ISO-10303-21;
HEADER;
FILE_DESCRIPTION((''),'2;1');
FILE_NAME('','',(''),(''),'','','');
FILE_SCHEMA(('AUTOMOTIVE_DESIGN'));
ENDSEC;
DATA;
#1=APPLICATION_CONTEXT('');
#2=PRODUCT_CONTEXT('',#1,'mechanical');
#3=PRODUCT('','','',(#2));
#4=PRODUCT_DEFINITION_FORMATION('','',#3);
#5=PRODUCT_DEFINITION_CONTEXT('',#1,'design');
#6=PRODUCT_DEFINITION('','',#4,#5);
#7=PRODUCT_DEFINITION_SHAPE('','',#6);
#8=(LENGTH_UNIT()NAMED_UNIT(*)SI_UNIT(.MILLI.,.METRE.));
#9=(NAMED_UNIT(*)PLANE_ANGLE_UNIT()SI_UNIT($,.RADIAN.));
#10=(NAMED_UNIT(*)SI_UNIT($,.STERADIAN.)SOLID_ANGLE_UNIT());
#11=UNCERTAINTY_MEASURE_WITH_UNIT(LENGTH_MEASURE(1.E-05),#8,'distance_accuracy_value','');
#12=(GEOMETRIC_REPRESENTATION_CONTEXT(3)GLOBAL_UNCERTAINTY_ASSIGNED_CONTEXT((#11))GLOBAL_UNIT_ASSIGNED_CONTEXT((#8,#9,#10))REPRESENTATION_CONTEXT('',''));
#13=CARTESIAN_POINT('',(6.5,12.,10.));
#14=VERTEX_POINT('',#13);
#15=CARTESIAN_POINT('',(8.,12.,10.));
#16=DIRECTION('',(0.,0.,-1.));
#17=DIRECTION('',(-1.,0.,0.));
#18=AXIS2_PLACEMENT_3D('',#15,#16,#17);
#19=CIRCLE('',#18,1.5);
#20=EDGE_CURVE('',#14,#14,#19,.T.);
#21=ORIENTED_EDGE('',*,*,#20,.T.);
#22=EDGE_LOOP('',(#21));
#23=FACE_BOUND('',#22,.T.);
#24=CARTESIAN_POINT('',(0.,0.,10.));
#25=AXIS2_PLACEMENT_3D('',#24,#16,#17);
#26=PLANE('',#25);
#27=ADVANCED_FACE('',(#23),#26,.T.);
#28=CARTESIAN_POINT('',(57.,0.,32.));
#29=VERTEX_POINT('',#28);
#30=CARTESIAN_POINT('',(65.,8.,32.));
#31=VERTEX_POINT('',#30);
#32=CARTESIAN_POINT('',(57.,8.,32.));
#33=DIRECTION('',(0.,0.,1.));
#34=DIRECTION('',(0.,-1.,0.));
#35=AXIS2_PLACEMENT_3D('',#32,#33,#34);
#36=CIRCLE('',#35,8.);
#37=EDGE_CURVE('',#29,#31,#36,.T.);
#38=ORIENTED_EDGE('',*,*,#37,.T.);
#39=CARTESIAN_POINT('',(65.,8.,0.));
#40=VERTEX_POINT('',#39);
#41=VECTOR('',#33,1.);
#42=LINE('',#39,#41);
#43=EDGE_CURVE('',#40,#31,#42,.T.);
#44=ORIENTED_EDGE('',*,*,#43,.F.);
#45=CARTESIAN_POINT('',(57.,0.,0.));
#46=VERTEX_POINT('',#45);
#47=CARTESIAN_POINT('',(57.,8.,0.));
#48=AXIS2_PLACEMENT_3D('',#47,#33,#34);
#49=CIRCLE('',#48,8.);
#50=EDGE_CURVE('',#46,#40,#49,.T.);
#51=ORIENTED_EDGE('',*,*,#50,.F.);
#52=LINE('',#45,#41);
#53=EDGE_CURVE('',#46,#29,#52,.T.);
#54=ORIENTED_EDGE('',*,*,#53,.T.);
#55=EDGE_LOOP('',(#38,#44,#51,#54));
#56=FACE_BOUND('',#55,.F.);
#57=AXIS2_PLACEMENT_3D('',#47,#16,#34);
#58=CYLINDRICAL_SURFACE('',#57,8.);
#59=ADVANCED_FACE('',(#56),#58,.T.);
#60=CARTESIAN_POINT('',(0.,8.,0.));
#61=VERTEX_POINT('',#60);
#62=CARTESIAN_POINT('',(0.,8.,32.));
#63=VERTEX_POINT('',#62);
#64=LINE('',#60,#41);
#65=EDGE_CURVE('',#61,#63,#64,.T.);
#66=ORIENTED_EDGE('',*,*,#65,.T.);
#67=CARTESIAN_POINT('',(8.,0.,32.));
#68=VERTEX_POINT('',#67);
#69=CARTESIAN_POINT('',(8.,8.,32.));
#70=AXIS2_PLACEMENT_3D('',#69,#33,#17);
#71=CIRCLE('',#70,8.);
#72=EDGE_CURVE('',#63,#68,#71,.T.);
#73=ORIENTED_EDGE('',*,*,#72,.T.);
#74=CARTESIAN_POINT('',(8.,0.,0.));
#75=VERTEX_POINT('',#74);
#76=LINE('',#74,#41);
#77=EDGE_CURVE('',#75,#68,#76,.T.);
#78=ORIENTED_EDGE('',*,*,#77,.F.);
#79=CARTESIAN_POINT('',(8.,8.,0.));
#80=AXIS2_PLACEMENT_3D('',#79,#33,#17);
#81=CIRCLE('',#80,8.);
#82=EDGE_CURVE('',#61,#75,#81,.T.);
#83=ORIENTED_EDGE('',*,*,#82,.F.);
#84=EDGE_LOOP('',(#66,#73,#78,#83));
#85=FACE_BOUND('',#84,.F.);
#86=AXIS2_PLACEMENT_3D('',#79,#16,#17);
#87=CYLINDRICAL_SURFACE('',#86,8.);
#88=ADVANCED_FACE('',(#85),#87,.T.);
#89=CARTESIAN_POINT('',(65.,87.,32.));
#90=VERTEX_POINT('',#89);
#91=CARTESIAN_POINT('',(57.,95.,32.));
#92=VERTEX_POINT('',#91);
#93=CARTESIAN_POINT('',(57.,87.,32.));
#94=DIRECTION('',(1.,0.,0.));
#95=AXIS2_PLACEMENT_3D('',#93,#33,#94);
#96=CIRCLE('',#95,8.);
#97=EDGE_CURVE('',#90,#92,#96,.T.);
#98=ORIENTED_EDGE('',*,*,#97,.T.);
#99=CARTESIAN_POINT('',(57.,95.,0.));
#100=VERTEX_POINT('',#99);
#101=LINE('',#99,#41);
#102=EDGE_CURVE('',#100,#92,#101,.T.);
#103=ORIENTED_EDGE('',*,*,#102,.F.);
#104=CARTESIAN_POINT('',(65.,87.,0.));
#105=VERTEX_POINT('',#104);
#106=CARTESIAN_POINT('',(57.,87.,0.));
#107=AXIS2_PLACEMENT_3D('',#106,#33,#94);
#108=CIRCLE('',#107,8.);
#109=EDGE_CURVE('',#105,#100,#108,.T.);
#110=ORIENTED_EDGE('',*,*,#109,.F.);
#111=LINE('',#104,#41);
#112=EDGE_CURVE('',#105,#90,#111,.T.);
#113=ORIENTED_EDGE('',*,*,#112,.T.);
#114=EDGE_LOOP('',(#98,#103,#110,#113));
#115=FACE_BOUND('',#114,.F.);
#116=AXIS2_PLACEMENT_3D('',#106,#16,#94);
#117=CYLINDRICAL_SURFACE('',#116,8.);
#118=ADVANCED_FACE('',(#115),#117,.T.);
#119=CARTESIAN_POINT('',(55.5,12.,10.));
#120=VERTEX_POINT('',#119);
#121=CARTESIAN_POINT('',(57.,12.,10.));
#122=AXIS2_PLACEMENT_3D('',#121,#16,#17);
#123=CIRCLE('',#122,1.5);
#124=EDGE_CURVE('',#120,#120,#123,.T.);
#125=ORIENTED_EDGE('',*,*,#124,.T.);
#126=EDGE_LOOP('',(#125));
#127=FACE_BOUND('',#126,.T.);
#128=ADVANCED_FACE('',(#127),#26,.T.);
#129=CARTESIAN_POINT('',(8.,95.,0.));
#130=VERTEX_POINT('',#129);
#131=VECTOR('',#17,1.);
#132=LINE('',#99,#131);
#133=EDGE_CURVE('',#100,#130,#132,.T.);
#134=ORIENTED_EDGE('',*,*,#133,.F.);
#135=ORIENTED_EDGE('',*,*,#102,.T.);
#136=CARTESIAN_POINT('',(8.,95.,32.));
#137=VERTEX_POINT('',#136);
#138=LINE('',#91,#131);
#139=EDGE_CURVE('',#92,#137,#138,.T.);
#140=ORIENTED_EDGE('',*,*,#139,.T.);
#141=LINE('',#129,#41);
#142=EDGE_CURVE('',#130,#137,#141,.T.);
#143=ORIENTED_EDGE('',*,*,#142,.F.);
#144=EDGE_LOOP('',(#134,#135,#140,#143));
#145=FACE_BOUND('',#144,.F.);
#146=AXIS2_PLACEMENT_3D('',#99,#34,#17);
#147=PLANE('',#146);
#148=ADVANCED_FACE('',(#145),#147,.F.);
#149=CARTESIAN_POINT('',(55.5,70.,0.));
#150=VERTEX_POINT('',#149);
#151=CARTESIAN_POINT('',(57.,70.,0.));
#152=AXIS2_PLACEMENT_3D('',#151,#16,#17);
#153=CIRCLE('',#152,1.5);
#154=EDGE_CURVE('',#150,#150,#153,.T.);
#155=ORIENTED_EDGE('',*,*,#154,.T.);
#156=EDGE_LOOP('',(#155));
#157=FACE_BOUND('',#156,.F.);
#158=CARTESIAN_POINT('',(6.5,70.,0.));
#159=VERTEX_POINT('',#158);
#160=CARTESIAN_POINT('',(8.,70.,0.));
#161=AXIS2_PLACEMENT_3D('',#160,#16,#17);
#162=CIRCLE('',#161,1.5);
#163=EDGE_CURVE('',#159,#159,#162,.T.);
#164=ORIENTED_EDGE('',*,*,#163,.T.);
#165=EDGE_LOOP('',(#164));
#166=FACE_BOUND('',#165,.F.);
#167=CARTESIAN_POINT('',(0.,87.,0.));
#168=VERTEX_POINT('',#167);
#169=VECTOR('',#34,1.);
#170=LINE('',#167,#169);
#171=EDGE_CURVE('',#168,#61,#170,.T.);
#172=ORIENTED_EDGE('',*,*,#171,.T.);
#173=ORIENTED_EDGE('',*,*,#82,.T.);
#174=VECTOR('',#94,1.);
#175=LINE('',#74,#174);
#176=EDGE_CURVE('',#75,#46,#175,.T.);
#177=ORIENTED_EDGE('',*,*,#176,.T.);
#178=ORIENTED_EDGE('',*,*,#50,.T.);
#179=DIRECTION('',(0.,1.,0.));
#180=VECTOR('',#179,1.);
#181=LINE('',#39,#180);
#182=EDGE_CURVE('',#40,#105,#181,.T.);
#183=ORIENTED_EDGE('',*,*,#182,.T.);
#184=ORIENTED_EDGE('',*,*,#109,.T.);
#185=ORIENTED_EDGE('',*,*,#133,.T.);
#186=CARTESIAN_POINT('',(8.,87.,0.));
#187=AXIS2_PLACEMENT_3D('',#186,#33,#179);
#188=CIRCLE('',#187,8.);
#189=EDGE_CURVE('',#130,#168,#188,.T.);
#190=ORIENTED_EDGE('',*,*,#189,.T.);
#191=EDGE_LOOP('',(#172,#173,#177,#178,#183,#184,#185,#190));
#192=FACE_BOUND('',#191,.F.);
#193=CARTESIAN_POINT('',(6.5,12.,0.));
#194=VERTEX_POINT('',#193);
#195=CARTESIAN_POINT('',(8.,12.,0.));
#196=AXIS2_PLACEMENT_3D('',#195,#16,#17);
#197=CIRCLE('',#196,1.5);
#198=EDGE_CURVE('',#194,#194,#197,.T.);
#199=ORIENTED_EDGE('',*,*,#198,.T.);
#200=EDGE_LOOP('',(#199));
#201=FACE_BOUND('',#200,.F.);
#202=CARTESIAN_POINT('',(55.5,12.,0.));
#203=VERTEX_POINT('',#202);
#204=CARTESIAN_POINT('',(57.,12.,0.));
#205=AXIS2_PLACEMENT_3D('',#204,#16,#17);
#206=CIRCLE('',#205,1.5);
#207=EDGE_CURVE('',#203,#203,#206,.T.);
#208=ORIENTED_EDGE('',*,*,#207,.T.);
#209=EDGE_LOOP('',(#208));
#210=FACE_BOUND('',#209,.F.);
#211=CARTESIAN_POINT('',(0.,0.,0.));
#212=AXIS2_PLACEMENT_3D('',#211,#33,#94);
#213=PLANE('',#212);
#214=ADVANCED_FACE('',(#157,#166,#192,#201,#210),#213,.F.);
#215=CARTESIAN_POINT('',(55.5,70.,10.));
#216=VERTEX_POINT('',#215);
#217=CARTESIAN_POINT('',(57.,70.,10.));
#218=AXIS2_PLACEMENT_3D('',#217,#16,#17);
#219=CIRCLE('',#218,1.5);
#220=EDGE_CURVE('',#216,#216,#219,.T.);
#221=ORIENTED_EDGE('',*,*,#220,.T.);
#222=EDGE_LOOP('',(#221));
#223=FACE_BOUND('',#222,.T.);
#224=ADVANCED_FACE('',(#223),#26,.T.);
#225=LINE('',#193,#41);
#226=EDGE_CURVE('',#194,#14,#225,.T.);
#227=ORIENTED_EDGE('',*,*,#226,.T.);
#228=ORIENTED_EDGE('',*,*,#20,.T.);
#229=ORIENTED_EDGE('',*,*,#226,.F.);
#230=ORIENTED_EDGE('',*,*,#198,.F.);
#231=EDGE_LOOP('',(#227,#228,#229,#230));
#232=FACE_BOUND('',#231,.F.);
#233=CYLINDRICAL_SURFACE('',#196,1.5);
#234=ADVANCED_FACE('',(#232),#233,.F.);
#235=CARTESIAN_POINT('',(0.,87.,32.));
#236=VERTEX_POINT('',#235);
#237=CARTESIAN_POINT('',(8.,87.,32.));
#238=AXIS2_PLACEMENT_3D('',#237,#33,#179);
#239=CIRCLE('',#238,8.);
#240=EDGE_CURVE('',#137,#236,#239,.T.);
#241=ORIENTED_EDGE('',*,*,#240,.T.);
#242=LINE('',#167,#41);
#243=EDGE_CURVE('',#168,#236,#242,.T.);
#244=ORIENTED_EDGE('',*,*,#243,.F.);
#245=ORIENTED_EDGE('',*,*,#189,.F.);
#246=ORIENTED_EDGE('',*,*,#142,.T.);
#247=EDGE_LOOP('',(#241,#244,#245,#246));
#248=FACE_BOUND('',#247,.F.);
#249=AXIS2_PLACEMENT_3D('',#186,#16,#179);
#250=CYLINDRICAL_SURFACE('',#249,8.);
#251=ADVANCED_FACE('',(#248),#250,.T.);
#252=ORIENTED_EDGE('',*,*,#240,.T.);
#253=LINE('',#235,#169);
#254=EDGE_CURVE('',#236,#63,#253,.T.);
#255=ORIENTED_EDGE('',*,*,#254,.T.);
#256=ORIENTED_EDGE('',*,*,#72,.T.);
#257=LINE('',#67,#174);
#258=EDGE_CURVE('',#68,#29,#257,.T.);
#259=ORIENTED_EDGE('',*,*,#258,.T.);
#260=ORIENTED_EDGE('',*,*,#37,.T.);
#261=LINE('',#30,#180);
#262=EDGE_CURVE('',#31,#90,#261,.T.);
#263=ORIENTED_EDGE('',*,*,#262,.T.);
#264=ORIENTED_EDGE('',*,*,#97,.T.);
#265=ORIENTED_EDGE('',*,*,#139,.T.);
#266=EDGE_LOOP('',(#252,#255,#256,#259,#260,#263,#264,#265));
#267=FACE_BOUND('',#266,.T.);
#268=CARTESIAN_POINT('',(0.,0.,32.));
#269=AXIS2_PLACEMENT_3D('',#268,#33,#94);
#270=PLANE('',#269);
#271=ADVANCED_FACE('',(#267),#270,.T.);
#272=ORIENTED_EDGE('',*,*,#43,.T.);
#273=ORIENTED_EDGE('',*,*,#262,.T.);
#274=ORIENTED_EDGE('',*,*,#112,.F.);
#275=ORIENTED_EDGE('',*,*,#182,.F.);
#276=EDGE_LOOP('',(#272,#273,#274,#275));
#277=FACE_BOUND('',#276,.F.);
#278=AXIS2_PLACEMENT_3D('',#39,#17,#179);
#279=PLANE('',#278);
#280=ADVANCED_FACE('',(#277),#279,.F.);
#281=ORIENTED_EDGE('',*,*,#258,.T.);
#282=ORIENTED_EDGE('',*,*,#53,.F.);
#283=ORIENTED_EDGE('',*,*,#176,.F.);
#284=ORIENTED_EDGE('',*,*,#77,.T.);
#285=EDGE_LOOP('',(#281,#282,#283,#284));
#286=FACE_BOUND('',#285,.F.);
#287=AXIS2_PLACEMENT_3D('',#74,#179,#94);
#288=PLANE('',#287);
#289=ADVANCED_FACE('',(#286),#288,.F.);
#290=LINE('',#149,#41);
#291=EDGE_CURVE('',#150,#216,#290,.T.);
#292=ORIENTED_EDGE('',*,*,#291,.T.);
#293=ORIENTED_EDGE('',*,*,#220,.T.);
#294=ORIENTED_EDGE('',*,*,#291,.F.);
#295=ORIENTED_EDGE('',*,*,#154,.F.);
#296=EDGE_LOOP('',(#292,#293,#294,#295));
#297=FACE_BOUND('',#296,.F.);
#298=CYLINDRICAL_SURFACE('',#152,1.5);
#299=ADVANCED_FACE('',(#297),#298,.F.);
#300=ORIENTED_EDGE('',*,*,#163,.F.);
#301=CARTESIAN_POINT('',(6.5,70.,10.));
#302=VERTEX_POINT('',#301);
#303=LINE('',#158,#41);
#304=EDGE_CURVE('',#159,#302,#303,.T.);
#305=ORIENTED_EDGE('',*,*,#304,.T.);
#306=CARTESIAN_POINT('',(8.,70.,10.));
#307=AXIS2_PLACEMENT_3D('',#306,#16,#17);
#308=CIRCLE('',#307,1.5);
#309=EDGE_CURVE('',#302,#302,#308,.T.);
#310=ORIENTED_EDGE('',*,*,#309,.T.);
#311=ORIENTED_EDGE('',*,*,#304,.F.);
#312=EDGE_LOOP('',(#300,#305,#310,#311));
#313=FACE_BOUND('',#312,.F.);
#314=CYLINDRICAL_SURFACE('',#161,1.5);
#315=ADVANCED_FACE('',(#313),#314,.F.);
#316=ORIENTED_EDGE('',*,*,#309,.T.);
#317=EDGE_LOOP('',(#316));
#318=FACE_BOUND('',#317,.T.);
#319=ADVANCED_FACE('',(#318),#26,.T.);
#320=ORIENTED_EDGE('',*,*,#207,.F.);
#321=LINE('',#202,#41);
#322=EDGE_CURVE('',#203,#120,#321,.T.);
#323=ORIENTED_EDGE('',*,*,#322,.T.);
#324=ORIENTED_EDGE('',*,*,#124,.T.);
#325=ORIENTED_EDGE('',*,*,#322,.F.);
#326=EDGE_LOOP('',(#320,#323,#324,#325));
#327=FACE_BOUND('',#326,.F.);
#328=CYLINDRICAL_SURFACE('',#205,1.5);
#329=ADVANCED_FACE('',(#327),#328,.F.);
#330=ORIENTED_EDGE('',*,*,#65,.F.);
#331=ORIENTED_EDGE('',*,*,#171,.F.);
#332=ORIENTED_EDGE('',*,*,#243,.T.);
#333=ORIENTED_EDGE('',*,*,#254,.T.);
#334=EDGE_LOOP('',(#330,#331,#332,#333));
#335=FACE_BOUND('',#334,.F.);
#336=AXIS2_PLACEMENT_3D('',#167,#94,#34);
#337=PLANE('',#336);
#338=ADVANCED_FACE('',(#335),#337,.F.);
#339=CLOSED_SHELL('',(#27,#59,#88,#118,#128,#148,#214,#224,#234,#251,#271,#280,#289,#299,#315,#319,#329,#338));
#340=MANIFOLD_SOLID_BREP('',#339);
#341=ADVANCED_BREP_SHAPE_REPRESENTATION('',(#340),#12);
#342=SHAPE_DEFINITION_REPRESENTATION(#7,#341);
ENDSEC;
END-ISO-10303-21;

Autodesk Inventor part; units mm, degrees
ref_plane "YZ Plane" through (0, 0, 0) normal (1, 0, 0) x (0, 1, 0)
ref_plane "XZ Plane" through (0, 0, 0) normal (0, 1, 0) x (-1, 0, 0)
ref_plane "XY Plane" through (0, 0, 0) normal (0, 0, 1) x (1, 0, 0)
sketch "Sketch1" plane through (0, 0, 0) normal (0, 0, 1) x (1, 0, 0)
  line L0 (8, 0) -> (57, 0)
  line L1 (65, 8) -> (65, 87)
  line L2 (57, 95) -> (8, 95)
  line L3 (0, 87) -> (0, 8)
  arc A0 (0, 8) -> (8, 0) centre (8, 8) ccw
  arc A1 (8, 95) -> (0, 87) centre (8, 87) ccw
  arc A2 (65, 87) -> (57, 95) centre (57, 87) ccw
  arc A3 (57, 0) -> (65, 8) centre (57, 8) ccw
  point P0 (0, 0)
  point P1 (65, 95)
  point P2 (65, 0)
  point P3 (0, 95)
  dimension "d0" = 65
  dimension "d1" = 95
  dimension "d2" = 8
extrude "Extrusion1" add sketch "Sketch1" along normal blind 32
sketch "Sketch2" plane through (0, 0, 0) normal (0, 0, -1) x (-1, 0, 0)
  line L0 (-8, 12) -> (-57, 12) construction
  line L1 (-57, 12) -> (-57, 70) construction
  line L2 (-57, 70) -> (-8, 70) construction
  line L3 (-8, 70) -> (-8, 12) construction
  line L4 (-8, 0) -> (-57, 0) projected
  line L5 (-32.5, 0) -> (-32.5, 94.8442) construction
  circle A0 centre (-57, 12) radius 1.5
  circle A1 centre (-57, 70) radius 1.5
  circle A2 centre (-8, 70) radius 1.5
  circle A3 centre (-8, 12) radius 1.5
  line L6 (-16.9436, 109.56) -> (-16.9436, 104.8114) projected
  line L7 (-40.3748, 104.8114) -> (-28.4573, 104.8114) projected
  line L8 (0.0184, 88.6231) -> (0.0184, 5.8494) projected
  line L9 (-28.0001, -10.2773) -> (-40.3748, -10.2773) projected
  line L10 (-16.9436, -10.2773) -> (-16.9436, -14.3057) projected
  line L11 (-21.9436, -19.3057) -> (-23.0001, -19.3057) projected
  line L12 (-28.0001, -14.3057) -> (-28.0001, -10.2773) projected
  line L13 (-40.3748, -10.2773) -> (-40.3748, -14.3057) projected
  line L14 (-45.3748, -19.3057) -> (-47.2671, -19.3057) projected
  line L15 (-52.2671, -14.3057) -> (-52.2671, -10.2773) projected
  line L16 (-64.9916, 6.3782) -> (-64.9916, 88.5882) projected
  line L17 (-52.2671, 104.8114) -> (-52.2671, 109.56) projected
  line L18 (-47.2671, 114.56) -> (-45.3748, 114.56) projected
  line L19 (-40.3748, 109.56) -> (-40.3748, 104.8114) projected
  line L20 (-28.4573, 104.8114) -> (-28.4573, 109.56) projected
  line L21 (-23.4573, 114.56) -> (-21.9436, 114.56) projected
  line L22 (-15.7324, 83.4806) -> (-23.5066, 91.204) projected
  arc A4 (-23.5066, 91.204) -> (-27.0305, 92.6569) centre (-27.0305, 87.6569) ccw projected
  line L23 (-27.0305, 92.6569) -> (-42.3584, 92.6569) projected
  arc A5 (-42.3584, 92.6569) -> (-45.8878, 91.1985) centre (-42.3584, 87.6569) ccw projected
  line L24 (-45.8878, 91.1985) -> (-50.0687, 87.0321) projected
  arc A6 (-50.0687, 87.0321) -> (-51.5393, 83.4904) centre (-46.5393, 83.4904) ccw projected
  line L25 (-51.5393, 83.4904) -> (-51.5393, 49.6697) projected
  arc A7 (-51.5393, 49.6697) -> (-49.6635, 45.7659) centre (-46.5393, 49.6697) ccw projected
  line L26 (-49.6635, 45.7659) -> (-44.7373, 41.8235) projected
  arc A8 (-44.7373, 41.8235) -> (-41.6131, 40.7274) centre (-41.6131, 45.7274) ccw projected
  line L27 (-41.6131, 40.7274) -> (-23.3988, 40.7274) projected
  arc A9 (-23.3988, 40.7274) -> (-20.0405, 42.0231) centre (-23.3988, 45.7274) ccw projected
  line L28 (-20.0405, 42.0231) -> (-15.898, 45.7787) projected
  arc A10 (-15.898, 45.7787) -> (-14.2563, 49.483) centre (-19.2563, 49.483) ccw projected
  line L29 (-14.2563, 49.483) -> (-14.2563, 79.9335) projected
  arc A11 (-14.2563, 79.9335) -> (-15.7324, 83.4806) centre (-19.2563, 79.9335) ccw projected
  line L30 (-14.2563, 9.4113) -> (-14.2563, 25.1215) projected
  arc A12 (-14.2563, 25.1215) -> (-16.1322, 29.0254) centre (-19.2563, 25.1215) ccw projected
  line L31 (-16.1322, 29.0254) -> (-19.9618, 32.0901) projected
  arc A13 (-19.9618, 32.0901) -> (-23.0859, 33.1863) centre (-23.0859, 28.1863) ccw projected
  line L32 (-23.0859, 33.1863) -> (-41.6879, 33.1863) projected
  arc A14 (-41.6879, 33.1863) -> (-44.5033, 32.3183) centre (-41.6879, 28.1863) ccw projected
  line L33 (-44.5033, 32.3183) -> (-49.3548, 29.0127) projected
  arc A15 (-49.3548, 29.0127) -> (-51.5393, 24.8807) centre (-46.5393, 24.8807) ccw projected
  line L34 (-51.5393, 24.8807) -> (-51.5393, 7.149) projected
  arc A16 (-51.5393, 7.149) -> (-50.9681, 4.8281) centre (-46.5393, 7.149) ccw projected
  line L35 (-50.9681, 4.8281) -> (-49.1556, 1.3694) projected
  arc A17 (-49.1556, 1.3694) -> (-44.7268, -1.3097) centre (-44.7268, 3.6903) ccw projected
  line L36 (-44.7268, -1.3097) -> (-23.7592, -1.3097) projected
  arc A18 (-23.7592, -1.3097) -> (-19.8301, 0.5979) centre (-23.7592, 3.6903) ccw projected
  line L37 (-19.8301, 0.5979) -> (-15.3273, 6.3189) projected
  arc A19 (-15.3273, 6.3189) -> (-14.2563, 9.4113) centre (-19.2563, 9.4113) ccw projected
  arc A20 (-64.9916, 6.3782) -> (-63.7832, 3.1188) centre (-59.9916, 6.3782) ccw projected
  arc A21 (-63.7296, 91.909) -> (-64.9916, 88.5882) centre (-59.9916, 88.5882) ccw projected
  line L38 (-63.7296, 91.909) -> (-52.2671, 104.8114) projected
  arc A22 (-47.2671, 114.56) -> (-52.2671, 109.56) centre (-47.2671, 109.56) ccw projected
  arc A23 (-40.3748, 109.56) -> (-45.3748, 114.56) centre (-45.3748, 109.56) ccw projected
  arc A24 (-23.4573, 114.56) -> (-28.4573, 109.56) centre (-23.4573, 109.56) ccw projected
  arc A25 (-16.9436, 109.56) -> (-21.9436, 114.56) centre (-21.9436, 109.56) ccw projected
  line L39 (-16.9436, 104.8114) -> (-1.8245, 92.5003) projected
  arc A26 (0.0184, 88.6231) -> (-1.8245, 92.5003) centre (-4.9816, 88.6231) ccw projected
  arc A27 (-1.834, 1.9645) -> (0.0184, 5.8494) centre (-4.9816, 5.8494) ccw projected
  line L40 (-1.834, 1.9645) -> (-16.9436, -10.2773) projected
  arc A28 (-21.9436, -19.3057) -> (-16.9436, -14.3057) centre (-21.9436, -14.3057) ccw projected
  arc A29 (-28.0001, -14.3057) -> (-23.0001, -19.3057) centre (-23.0001, -14.3057) ccw projected
  arc A30 (-45.3748, -19.3057) -> (-40.3748, -14.3057) centre (-45.3748, -14.3057) ccw projected
  arc A31 (-52.2671, -14.3057) -> (-47.2671, -19.3057) centre (-47.2671, -14.3057) ccw projected
  line L41 (-52.2671, -10.2773) -> (-63.7832, 3.1188) projected
  circle A32 centre (-57, 70) radius 2 projected
  circle A33 centre (-57, 12) radius 2 projected
  circle A34 centre (-8, 70) radius 2 projected
  circle A35 centre (-8, 12) radius 2 projected
  circle A36 centre (-22.639, 109.6569) radius 1.75 projected
  circle A37 centre (-46.639, -14.5983) radius 1.75 projected
  circle A38 centre (-46.639, 109.6569) radius 1.75 projected
  circle A39 centre (-22.639, -14.5983) radius 1.75 projected
  point P0 (0, 0)
  dimension "d5" = 49
  dimension "d6" = 58
  dimension "d7" = 24.5
  dimension "d8" = 12
  dimension "d9" = 3
  dimension "d10" = 3
  dimension "d11" = 3
  dimension "d12" = 3
extrude "Extrusion2" cut sketch "Sketch2" against normal blind 10 contours A0 | A1 | A2 | A3
properties part number "RPI"
